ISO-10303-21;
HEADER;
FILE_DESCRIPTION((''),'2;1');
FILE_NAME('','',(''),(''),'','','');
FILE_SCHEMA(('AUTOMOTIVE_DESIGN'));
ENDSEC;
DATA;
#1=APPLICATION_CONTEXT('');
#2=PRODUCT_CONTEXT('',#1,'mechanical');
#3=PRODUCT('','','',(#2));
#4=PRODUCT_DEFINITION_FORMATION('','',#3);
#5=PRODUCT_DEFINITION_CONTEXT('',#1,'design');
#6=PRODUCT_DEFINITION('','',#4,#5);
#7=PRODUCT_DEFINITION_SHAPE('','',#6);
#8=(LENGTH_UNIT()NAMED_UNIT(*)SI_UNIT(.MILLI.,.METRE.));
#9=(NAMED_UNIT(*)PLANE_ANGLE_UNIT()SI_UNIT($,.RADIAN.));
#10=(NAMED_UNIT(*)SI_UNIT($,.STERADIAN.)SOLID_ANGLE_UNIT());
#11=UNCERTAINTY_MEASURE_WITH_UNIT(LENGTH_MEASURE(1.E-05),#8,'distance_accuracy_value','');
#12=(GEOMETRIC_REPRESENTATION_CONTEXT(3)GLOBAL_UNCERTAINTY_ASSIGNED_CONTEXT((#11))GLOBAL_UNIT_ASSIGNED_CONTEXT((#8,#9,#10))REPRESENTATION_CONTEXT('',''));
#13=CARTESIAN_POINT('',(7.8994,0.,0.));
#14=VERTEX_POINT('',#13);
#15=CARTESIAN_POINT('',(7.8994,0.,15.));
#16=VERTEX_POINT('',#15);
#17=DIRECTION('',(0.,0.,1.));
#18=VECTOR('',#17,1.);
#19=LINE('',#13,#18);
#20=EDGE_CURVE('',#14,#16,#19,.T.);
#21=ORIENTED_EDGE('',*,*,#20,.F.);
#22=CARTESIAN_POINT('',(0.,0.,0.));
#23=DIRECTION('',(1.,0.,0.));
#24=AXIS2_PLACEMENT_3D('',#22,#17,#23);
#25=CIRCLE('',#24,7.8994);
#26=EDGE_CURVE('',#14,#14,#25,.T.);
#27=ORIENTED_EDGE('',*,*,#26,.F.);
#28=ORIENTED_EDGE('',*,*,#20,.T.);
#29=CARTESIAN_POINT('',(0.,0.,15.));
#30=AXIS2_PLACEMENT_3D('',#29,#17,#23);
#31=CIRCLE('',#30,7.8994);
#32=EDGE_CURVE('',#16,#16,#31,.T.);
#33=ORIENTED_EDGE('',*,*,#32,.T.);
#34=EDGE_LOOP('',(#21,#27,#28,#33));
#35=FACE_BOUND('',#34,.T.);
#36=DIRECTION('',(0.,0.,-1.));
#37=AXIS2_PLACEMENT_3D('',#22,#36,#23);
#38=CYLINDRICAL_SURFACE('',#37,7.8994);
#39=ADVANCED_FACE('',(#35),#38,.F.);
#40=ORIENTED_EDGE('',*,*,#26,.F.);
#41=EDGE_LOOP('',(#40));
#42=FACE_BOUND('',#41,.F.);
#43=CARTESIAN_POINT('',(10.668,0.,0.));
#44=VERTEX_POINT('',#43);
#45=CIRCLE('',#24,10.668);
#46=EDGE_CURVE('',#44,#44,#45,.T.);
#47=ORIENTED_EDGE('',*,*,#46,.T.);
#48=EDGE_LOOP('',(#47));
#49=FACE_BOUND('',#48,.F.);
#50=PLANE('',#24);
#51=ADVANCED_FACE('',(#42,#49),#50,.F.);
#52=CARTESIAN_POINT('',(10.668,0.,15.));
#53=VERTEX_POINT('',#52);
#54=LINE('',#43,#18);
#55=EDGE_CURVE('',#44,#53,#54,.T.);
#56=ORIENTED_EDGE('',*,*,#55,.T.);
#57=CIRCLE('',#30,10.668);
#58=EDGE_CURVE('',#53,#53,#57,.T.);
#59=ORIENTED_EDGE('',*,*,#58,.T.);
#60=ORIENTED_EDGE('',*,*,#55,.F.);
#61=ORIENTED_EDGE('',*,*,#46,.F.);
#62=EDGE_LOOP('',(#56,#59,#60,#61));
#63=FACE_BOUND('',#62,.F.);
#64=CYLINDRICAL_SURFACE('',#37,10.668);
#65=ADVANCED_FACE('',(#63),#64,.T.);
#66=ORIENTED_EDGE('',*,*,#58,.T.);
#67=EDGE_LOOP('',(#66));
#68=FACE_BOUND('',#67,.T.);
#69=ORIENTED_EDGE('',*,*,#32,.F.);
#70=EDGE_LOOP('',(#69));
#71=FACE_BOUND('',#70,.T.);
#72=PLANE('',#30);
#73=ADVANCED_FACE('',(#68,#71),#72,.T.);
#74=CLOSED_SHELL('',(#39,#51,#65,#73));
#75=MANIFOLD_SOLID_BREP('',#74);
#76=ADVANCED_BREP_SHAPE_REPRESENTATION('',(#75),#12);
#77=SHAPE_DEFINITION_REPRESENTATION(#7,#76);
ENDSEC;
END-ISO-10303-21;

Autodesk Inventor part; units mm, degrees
ref_plane "YZ Plane" through (0, 0, 0) normal (1, 0, 0) x (0, 1, 0)
ref_plane "Start Plane" through (0, 0, 0) normal (0, 0, 1) x (1, 0, 0)
ref_plane "End Plane" through (0, 0, 15) normal (0, 0, 1) x (1, 0, 0)
sketch "Sketch" plane through (0, 0, 0) normal (0, 0, 1) x (1, 0, 0)
  circle A0 centre (0, 0) radius 7.8994
  circle A1 centre (0, 0) radius 10.668
  dimension "d0" = 21.336
  dimension "d1" = 2.7686
extrude "Body" add sketch "Sketch" along normal up to surface (15 mm away) from surface at 0
sketch "Sketch3" plane through (0, 0, 0) normal (0, 0, 1) x (1, 0, 0)
  line L0 (0, 0) -> (10, 0)
ref_plane "Work Plane3" through (0, 0, 0) normal (0, -1, 0) x (1, 0, 0)
sketch "Sketch4" plane through (0, 0, 0) normal (0, -1, 0) x (1, 0, 0)
  line L0 (-2, 0) -> (12, 0) projected
  line L1 (-2, 15) -> (12, 15) projected
  dimension "d7" = 15
equation "\"d0\" = G_H"
equation "\"d1\" = G_T"
equation "\"d2\" = G_L"
equation "\"G_H\" = 21.336"
equation "\"G_T\" = 2.7686"
equation "\"G_L\" = d7"
equation "\"G_OFFSET_START\" = 0"
equation "\"G_OFFSET_END\" = 0"
equation "\"d5\" = G_OFFSET_END + B_L"
equation "\"B_L\" = 15"
properties part number "ANSI - 1/2 x 0.109 - 0.591" material "Steel, Mild"
